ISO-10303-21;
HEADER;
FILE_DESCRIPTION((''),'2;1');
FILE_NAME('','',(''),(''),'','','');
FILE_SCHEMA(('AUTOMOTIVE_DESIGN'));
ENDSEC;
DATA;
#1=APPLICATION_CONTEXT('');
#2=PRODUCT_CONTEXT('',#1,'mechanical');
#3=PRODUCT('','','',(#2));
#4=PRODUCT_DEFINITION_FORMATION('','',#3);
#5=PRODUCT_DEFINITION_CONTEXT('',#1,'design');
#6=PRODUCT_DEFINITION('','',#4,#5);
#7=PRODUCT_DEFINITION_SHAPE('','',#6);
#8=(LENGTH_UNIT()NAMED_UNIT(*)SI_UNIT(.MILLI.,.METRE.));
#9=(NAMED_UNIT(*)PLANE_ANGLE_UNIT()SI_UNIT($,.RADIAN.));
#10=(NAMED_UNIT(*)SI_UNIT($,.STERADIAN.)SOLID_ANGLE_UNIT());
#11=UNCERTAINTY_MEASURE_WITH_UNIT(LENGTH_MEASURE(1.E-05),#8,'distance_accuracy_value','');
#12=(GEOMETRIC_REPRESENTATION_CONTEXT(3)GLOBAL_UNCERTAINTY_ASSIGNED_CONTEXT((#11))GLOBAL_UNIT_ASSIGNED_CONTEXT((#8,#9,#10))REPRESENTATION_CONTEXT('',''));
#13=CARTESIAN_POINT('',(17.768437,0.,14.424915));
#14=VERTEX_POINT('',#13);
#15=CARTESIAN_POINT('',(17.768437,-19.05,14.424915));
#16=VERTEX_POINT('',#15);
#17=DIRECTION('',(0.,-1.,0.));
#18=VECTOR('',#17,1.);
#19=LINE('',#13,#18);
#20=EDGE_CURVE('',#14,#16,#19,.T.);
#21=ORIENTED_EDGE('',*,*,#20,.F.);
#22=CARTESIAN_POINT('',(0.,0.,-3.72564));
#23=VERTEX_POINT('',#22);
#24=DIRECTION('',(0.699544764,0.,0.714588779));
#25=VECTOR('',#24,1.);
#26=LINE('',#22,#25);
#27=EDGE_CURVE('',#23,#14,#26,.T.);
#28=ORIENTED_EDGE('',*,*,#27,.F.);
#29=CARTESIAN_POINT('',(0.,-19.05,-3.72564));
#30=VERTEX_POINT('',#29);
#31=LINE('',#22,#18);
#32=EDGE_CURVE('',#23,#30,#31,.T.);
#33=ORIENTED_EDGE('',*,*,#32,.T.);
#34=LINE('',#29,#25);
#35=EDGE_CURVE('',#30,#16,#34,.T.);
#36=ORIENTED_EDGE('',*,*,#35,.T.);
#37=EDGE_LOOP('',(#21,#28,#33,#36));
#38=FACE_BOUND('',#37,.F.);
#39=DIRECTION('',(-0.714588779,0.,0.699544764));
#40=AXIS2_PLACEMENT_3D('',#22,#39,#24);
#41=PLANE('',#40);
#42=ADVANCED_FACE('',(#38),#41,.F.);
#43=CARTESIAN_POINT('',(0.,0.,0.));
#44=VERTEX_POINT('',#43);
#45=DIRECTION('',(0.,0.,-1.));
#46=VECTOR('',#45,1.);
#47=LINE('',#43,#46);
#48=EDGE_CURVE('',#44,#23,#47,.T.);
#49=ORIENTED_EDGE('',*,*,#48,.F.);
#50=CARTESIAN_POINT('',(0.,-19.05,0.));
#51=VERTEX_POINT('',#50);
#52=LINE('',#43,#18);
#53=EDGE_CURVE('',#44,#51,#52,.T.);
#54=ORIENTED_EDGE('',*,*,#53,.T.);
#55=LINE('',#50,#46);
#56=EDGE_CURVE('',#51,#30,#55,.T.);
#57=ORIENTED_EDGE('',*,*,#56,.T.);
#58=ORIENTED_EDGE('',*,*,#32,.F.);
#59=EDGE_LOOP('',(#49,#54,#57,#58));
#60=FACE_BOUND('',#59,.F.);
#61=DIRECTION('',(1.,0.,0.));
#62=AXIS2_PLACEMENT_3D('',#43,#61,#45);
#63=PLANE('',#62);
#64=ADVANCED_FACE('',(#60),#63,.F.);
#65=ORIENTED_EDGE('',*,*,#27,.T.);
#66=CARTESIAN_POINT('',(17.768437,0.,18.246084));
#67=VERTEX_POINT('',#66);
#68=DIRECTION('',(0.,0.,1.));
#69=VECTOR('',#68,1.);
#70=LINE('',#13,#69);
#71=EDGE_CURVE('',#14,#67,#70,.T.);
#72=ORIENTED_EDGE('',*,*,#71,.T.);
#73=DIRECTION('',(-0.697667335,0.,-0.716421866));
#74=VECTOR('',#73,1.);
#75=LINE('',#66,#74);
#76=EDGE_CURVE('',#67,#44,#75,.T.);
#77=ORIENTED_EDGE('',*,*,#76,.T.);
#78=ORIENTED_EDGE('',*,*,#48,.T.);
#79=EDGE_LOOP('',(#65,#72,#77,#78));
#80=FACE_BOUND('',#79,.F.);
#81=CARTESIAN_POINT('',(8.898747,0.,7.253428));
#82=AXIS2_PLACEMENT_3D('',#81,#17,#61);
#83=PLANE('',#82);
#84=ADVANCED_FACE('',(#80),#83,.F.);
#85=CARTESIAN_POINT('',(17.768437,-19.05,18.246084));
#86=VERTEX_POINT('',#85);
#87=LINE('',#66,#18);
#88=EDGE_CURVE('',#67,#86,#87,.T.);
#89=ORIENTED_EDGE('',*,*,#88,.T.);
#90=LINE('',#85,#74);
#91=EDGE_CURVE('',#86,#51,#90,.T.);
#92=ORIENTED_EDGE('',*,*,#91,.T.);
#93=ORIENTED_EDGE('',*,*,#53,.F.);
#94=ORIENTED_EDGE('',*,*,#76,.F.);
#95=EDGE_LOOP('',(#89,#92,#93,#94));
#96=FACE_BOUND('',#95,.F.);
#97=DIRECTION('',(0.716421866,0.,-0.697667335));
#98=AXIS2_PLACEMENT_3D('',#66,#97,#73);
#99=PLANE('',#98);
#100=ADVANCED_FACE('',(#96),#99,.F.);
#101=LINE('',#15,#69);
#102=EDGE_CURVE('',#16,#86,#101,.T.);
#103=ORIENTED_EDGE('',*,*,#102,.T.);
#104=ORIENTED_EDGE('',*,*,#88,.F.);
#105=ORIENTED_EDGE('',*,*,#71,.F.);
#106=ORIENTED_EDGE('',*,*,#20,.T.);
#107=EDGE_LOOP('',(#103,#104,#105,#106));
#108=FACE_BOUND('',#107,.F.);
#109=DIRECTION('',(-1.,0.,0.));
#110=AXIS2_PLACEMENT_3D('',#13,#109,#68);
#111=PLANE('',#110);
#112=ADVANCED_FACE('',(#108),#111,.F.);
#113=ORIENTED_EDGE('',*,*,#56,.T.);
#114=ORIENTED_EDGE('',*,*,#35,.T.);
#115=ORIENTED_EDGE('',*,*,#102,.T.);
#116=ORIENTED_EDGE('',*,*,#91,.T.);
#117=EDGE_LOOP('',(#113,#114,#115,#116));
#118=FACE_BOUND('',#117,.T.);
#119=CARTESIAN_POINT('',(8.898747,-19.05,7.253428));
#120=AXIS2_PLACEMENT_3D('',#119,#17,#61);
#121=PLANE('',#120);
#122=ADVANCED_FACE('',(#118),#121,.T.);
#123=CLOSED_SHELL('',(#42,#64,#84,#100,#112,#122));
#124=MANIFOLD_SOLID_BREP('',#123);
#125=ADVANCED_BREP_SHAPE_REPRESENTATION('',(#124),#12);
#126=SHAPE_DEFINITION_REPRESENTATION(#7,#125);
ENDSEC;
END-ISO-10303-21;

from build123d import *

# Parameters (mm, degrees)
F1_DEPTH = 19.05


with BuildPart() as f1:
    # F0 (on Front) → F1 (new body)
    with BuildSketch(Plane.XZ):
        Polygon((17.768437, 18.246084), (0, 0), (0, -3.72564), (17.768437, 14.424915), align=None)
    extrude(amount=F1_DEPTH)


with BuildPart() as f2_1:
    # F2: copy of F1
    add(f1.part)


solid = f1.part
